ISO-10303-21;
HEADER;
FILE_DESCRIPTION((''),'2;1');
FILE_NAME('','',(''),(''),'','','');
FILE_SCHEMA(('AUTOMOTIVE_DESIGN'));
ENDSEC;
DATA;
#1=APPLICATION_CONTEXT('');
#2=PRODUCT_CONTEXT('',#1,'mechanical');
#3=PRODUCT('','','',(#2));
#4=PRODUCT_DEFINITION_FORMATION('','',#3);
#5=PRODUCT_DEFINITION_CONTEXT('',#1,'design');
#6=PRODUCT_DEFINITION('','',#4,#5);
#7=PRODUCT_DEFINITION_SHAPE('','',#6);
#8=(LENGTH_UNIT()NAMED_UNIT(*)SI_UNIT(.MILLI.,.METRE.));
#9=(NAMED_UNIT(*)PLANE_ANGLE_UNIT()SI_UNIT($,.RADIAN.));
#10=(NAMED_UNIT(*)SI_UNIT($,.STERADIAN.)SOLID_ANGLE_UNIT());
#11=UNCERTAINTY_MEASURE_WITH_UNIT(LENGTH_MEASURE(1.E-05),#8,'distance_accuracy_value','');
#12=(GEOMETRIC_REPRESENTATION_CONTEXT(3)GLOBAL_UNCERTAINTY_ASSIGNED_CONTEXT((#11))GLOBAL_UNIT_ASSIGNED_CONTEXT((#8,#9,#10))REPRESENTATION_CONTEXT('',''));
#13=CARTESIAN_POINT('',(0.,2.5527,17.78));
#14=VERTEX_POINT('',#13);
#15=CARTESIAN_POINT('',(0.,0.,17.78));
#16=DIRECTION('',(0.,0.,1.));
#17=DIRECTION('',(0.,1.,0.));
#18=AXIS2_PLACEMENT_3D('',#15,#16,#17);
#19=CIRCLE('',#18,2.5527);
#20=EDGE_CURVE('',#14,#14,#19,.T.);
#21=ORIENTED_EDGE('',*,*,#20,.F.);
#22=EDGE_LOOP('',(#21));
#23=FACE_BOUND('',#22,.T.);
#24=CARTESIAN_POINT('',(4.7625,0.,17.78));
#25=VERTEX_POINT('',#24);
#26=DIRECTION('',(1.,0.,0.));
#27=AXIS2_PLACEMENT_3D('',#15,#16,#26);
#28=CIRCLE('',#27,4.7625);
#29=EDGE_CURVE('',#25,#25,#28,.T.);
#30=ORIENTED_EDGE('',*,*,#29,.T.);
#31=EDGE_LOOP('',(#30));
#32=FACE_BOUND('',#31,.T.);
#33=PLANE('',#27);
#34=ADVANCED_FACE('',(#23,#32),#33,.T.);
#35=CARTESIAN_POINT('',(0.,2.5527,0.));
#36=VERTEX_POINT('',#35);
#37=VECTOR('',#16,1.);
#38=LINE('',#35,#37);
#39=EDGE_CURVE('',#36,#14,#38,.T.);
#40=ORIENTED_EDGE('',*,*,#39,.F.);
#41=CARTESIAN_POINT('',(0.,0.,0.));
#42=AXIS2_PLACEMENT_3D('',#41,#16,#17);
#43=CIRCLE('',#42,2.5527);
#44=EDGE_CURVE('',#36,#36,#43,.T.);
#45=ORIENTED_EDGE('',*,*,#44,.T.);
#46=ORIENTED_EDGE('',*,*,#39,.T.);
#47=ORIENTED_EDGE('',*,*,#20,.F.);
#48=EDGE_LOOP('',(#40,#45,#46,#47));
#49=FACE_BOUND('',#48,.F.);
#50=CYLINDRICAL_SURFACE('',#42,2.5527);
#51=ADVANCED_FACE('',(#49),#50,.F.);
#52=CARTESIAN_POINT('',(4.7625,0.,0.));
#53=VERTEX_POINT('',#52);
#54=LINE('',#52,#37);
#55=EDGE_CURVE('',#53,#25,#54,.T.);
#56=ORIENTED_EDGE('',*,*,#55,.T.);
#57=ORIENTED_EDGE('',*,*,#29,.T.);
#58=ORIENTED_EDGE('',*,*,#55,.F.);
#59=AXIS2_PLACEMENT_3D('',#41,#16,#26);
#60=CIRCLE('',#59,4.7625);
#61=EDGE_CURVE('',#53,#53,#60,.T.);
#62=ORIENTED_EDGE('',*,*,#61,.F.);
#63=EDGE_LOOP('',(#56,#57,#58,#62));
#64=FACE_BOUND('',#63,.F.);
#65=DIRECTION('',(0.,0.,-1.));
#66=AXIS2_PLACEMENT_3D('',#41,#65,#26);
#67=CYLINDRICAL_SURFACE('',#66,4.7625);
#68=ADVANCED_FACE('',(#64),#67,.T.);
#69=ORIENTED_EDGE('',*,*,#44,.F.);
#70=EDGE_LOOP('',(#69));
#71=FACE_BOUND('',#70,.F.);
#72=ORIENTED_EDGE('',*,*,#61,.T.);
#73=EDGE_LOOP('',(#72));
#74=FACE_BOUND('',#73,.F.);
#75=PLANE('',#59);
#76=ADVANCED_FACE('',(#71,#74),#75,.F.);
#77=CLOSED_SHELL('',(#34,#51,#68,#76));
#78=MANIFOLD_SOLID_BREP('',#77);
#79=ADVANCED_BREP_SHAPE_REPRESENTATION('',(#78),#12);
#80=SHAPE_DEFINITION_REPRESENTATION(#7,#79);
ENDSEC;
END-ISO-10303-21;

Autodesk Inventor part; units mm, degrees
ref_plane "YZ Plane" through (0, 0, 0) normal (1, 0, 0) x (0, 1, 0)
ref_plane "XZ Plane" through (0, 0, 0) normal (0, 1, 0) x (-1, 0, 0)
ref_plane "XY Plane" through (0, 0, 0) normal (0, 0, 1) x (1, 0, 0)
sketch "Sketch1" plane through (0, 0, 0) normal (0, 0, 1) x (1, 0, 0)
  circle A0 centre (0, 0) radius 4.7625
  dimension "d10" = 9.525
extrude "Extrusion1" add sketch "Sketch1" along normal blind 17.78
hole "Hole1" at (0, 0, 0) direction (0, 0, 1) diameter 5.1054 end through all clearance for "Flat Head Machine Screw (82)" size "#10" standard "Ansi Unified Screw Threads"
equation "\"d10\" = OutsideDiameter"
equation "\"d1\" = StandoffLength"
equation "\"d3\" = HoleDiameter"
equation "\"StandoffLength\" = 17.78"
equation "\"HoleDiameter\" = 5.1054"
equation "\"OutsideDiameter\" = 9.525"
properties part number "EL2-CGB-007" material "Aluminum 6061"
